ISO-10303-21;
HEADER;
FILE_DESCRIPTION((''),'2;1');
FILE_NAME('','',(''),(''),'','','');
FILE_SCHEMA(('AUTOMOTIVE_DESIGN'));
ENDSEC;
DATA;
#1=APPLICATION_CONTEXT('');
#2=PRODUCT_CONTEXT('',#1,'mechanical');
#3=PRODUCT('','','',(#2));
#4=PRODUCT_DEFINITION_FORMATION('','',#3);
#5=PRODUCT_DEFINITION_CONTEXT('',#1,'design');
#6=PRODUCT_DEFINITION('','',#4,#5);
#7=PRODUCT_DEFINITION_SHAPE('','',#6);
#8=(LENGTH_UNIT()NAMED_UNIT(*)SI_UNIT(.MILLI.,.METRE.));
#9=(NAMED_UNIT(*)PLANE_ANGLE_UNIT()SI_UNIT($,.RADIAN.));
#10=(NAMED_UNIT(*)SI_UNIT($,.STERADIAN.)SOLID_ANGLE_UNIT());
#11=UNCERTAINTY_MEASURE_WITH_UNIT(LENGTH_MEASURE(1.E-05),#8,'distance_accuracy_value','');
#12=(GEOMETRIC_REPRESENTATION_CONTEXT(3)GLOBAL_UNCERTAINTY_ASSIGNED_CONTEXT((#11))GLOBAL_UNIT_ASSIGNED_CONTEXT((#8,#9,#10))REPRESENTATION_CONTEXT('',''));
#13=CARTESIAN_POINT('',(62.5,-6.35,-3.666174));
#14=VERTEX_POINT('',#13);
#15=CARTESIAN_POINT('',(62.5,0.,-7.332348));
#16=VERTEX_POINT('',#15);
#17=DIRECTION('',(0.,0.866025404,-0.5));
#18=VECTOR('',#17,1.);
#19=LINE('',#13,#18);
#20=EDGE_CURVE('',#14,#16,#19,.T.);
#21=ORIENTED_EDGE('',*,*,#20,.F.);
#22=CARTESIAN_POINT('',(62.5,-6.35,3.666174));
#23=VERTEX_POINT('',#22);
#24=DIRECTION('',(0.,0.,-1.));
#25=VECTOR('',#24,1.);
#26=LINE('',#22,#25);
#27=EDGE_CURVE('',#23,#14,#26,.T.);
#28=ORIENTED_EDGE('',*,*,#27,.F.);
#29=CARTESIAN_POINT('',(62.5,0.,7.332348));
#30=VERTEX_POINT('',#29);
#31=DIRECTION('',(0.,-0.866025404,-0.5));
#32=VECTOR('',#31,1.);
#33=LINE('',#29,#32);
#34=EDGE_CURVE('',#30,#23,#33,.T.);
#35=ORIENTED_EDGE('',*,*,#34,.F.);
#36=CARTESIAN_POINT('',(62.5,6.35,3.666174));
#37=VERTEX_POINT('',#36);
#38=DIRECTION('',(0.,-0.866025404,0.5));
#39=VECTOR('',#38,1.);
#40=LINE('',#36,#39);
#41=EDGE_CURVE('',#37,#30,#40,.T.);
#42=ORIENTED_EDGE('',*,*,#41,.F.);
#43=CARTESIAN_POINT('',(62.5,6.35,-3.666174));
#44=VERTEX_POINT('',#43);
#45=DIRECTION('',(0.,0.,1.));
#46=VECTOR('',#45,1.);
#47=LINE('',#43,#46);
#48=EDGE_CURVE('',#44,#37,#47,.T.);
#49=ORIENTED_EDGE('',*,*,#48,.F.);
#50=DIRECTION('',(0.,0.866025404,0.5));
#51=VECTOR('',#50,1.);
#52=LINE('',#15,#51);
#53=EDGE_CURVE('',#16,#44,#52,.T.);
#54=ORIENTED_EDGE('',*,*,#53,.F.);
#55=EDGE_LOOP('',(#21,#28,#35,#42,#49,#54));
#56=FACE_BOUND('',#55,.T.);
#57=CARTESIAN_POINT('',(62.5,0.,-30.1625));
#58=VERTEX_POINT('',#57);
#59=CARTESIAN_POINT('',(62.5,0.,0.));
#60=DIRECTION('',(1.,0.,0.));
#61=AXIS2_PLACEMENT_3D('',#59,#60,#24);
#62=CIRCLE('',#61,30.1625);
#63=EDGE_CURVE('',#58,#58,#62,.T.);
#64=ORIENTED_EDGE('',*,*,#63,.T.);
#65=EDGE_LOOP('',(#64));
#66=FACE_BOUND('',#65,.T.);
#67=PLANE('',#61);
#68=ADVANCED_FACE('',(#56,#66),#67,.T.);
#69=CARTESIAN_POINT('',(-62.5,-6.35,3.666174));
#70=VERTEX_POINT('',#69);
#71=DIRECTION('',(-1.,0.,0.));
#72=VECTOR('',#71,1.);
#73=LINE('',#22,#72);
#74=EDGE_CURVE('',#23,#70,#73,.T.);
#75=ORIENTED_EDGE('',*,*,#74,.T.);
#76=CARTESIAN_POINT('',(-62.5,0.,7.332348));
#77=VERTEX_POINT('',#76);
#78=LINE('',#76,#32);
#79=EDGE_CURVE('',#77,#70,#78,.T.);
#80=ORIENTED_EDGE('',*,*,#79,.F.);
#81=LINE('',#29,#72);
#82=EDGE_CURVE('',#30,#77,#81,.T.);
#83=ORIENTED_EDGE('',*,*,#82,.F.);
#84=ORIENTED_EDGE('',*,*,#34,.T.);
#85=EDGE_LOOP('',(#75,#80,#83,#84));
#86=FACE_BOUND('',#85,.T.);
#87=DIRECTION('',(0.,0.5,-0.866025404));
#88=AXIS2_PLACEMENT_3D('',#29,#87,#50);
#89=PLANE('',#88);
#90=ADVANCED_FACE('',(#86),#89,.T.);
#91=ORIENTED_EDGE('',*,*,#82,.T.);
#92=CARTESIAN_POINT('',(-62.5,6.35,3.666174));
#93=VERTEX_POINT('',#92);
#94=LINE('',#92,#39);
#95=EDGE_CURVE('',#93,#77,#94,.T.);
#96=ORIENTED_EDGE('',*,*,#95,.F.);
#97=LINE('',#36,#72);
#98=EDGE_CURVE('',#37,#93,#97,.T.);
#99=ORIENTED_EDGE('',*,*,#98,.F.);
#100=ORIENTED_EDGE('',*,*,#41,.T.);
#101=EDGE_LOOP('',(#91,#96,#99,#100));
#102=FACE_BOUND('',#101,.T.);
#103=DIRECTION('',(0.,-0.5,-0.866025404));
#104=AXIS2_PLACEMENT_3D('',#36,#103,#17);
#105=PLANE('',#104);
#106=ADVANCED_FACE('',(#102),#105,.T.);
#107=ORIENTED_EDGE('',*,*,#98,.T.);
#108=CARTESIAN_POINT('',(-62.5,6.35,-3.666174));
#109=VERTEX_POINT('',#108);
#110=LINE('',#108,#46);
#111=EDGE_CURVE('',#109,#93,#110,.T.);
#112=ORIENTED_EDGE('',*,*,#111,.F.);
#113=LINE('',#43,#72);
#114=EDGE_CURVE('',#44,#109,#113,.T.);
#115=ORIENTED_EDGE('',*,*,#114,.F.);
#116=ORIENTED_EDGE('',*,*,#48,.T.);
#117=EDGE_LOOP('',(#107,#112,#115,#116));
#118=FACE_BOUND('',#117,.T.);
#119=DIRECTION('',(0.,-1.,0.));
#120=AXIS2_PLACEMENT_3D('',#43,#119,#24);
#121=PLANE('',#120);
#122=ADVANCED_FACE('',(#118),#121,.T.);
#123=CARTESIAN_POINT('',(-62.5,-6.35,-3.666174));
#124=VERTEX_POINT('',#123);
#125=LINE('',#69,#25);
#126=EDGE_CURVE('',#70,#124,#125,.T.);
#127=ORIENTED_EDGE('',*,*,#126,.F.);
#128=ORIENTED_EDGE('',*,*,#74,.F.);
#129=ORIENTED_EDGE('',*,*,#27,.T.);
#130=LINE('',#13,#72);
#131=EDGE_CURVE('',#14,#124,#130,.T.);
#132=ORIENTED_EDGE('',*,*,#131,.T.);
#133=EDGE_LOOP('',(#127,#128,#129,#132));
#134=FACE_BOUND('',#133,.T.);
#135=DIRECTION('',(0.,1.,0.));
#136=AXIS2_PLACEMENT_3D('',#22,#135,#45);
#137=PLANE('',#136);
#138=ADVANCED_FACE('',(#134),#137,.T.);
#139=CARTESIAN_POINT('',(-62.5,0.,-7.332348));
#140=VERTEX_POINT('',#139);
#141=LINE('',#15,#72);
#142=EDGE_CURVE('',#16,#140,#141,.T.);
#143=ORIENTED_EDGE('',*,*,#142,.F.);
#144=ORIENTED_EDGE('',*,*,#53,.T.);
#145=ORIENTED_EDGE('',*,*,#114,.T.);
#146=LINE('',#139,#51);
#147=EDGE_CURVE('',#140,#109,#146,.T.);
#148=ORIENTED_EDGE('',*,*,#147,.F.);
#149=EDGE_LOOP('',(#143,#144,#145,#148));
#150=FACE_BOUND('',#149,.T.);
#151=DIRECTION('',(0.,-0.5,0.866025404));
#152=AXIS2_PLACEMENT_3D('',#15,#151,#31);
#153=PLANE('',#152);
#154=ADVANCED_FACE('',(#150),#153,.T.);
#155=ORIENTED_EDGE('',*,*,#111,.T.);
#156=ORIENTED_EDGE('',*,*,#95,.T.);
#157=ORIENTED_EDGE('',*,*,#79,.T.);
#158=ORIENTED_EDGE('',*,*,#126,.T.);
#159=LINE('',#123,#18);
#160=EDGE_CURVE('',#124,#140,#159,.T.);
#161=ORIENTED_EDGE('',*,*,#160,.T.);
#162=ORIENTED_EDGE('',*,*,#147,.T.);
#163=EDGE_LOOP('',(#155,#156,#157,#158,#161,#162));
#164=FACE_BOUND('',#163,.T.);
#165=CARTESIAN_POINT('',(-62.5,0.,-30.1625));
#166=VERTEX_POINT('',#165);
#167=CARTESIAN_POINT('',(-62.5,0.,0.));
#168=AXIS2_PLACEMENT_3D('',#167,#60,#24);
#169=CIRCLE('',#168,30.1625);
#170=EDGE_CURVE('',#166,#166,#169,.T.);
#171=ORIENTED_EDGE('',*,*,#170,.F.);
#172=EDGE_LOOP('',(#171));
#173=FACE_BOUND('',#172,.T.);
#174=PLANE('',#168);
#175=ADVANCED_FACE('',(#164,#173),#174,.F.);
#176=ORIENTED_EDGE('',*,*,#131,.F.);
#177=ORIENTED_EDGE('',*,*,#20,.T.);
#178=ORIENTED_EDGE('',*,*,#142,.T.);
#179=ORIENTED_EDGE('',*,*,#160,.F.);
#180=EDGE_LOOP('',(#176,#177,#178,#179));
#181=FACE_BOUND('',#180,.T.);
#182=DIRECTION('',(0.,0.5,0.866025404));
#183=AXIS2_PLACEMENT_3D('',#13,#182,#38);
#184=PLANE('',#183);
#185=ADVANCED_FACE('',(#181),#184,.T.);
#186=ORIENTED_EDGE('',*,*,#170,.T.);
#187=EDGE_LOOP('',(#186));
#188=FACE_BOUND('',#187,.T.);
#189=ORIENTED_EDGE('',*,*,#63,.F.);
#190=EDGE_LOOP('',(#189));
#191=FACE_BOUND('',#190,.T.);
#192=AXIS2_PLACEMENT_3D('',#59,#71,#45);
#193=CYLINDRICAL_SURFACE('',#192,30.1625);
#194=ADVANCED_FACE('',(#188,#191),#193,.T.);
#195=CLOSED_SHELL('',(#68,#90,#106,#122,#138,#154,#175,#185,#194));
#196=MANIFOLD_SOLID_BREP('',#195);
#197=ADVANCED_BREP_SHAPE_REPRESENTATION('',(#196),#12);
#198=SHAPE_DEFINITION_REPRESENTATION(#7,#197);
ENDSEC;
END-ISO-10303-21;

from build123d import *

# Parameters (mm, degrees)
SKETCH1_R           = 30.1625
BOSS_EXTRUDE1_DEPTH = 62.5


with BuildPart() as part:
    # Sketch1 → Boss-Extrude1 (new, symmetric)
    with BuildSketch(Plane(origin=(0, 0, 0), x_dir=(0, 0, -1), z_dir=(1, 0, 0))):
        Circle(SKETCH1_R)
        Polygon((7.332348419, 0), (3.666174209, 6.35), (-3.666174209, 6.35), (-7.332348419, 0), (-3.666174209, -6.35), (3.666174209, -6.35), align=None, mode=Mode.SUBTRACT)
    extrude(amount=BOSS_EXTRUDE1_DEPTH, both=True)


solid = part.part
